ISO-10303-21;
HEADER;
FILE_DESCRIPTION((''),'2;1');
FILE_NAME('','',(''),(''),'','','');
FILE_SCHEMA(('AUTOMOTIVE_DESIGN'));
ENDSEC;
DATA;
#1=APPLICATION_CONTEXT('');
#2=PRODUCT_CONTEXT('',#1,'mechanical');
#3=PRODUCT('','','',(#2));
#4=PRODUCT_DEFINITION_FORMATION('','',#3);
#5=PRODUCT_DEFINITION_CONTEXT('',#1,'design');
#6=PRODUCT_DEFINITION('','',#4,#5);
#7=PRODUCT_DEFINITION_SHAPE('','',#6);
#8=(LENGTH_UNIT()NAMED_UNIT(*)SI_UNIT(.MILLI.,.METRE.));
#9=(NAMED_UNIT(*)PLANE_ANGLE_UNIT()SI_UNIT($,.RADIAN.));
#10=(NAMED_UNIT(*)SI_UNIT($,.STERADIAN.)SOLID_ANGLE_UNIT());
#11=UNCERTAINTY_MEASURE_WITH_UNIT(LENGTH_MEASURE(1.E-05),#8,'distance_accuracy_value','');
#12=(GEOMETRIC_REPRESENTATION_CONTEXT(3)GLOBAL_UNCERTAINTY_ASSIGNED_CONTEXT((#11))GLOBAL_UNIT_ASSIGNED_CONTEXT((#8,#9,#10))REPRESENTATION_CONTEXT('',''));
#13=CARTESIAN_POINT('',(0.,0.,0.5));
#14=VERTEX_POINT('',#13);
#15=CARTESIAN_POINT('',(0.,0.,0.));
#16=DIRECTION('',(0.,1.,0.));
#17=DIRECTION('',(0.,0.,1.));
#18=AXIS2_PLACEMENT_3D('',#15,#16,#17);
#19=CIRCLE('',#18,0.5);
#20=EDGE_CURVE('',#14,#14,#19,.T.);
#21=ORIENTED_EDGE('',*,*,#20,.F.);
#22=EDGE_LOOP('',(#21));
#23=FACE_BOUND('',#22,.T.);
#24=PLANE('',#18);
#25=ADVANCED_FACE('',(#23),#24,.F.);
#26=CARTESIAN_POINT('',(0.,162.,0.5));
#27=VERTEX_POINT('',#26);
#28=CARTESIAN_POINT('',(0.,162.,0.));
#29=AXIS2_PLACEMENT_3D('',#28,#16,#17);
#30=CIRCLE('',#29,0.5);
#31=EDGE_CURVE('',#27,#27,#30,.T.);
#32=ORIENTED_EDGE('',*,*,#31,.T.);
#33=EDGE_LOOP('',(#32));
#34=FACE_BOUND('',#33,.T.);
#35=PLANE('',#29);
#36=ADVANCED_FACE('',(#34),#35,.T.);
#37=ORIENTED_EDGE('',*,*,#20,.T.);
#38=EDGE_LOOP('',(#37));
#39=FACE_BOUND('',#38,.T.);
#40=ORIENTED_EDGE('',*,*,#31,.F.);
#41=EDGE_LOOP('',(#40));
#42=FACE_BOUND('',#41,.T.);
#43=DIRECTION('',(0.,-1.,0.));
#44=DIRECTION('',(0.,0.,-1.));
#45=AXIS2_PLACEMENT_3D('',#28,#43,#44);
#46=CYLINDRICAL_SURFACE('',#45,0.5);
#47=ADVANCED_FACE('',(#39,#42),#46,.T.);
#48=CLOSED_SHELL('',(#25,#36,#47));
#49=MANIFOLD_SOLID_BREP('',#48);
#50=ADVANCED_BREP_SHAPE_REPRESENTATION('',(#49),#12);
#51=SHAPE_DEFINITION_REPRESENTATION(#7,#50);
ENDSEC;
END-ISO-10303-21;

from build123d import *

# Parameters (mm, degrees)
SKETCH_1_R      = 0.5
EXTRUDE_1_DEPTH = 162


with BuildPart() as part:
    # 草图1 → 凸台-拉伸1 (new body)
    with BuildSketch(Plane(origin=(0, 0, 0), x_dir=(1, 0, 0), z_dir=(0, 1, 0))):
        with Locations(Location((0, 0, 0), (0, 0, 270))):
            Circle(SKETCH_1_R)
    extrude(amount=EXTRUDE_1_DEPTH)


solid = part.part
